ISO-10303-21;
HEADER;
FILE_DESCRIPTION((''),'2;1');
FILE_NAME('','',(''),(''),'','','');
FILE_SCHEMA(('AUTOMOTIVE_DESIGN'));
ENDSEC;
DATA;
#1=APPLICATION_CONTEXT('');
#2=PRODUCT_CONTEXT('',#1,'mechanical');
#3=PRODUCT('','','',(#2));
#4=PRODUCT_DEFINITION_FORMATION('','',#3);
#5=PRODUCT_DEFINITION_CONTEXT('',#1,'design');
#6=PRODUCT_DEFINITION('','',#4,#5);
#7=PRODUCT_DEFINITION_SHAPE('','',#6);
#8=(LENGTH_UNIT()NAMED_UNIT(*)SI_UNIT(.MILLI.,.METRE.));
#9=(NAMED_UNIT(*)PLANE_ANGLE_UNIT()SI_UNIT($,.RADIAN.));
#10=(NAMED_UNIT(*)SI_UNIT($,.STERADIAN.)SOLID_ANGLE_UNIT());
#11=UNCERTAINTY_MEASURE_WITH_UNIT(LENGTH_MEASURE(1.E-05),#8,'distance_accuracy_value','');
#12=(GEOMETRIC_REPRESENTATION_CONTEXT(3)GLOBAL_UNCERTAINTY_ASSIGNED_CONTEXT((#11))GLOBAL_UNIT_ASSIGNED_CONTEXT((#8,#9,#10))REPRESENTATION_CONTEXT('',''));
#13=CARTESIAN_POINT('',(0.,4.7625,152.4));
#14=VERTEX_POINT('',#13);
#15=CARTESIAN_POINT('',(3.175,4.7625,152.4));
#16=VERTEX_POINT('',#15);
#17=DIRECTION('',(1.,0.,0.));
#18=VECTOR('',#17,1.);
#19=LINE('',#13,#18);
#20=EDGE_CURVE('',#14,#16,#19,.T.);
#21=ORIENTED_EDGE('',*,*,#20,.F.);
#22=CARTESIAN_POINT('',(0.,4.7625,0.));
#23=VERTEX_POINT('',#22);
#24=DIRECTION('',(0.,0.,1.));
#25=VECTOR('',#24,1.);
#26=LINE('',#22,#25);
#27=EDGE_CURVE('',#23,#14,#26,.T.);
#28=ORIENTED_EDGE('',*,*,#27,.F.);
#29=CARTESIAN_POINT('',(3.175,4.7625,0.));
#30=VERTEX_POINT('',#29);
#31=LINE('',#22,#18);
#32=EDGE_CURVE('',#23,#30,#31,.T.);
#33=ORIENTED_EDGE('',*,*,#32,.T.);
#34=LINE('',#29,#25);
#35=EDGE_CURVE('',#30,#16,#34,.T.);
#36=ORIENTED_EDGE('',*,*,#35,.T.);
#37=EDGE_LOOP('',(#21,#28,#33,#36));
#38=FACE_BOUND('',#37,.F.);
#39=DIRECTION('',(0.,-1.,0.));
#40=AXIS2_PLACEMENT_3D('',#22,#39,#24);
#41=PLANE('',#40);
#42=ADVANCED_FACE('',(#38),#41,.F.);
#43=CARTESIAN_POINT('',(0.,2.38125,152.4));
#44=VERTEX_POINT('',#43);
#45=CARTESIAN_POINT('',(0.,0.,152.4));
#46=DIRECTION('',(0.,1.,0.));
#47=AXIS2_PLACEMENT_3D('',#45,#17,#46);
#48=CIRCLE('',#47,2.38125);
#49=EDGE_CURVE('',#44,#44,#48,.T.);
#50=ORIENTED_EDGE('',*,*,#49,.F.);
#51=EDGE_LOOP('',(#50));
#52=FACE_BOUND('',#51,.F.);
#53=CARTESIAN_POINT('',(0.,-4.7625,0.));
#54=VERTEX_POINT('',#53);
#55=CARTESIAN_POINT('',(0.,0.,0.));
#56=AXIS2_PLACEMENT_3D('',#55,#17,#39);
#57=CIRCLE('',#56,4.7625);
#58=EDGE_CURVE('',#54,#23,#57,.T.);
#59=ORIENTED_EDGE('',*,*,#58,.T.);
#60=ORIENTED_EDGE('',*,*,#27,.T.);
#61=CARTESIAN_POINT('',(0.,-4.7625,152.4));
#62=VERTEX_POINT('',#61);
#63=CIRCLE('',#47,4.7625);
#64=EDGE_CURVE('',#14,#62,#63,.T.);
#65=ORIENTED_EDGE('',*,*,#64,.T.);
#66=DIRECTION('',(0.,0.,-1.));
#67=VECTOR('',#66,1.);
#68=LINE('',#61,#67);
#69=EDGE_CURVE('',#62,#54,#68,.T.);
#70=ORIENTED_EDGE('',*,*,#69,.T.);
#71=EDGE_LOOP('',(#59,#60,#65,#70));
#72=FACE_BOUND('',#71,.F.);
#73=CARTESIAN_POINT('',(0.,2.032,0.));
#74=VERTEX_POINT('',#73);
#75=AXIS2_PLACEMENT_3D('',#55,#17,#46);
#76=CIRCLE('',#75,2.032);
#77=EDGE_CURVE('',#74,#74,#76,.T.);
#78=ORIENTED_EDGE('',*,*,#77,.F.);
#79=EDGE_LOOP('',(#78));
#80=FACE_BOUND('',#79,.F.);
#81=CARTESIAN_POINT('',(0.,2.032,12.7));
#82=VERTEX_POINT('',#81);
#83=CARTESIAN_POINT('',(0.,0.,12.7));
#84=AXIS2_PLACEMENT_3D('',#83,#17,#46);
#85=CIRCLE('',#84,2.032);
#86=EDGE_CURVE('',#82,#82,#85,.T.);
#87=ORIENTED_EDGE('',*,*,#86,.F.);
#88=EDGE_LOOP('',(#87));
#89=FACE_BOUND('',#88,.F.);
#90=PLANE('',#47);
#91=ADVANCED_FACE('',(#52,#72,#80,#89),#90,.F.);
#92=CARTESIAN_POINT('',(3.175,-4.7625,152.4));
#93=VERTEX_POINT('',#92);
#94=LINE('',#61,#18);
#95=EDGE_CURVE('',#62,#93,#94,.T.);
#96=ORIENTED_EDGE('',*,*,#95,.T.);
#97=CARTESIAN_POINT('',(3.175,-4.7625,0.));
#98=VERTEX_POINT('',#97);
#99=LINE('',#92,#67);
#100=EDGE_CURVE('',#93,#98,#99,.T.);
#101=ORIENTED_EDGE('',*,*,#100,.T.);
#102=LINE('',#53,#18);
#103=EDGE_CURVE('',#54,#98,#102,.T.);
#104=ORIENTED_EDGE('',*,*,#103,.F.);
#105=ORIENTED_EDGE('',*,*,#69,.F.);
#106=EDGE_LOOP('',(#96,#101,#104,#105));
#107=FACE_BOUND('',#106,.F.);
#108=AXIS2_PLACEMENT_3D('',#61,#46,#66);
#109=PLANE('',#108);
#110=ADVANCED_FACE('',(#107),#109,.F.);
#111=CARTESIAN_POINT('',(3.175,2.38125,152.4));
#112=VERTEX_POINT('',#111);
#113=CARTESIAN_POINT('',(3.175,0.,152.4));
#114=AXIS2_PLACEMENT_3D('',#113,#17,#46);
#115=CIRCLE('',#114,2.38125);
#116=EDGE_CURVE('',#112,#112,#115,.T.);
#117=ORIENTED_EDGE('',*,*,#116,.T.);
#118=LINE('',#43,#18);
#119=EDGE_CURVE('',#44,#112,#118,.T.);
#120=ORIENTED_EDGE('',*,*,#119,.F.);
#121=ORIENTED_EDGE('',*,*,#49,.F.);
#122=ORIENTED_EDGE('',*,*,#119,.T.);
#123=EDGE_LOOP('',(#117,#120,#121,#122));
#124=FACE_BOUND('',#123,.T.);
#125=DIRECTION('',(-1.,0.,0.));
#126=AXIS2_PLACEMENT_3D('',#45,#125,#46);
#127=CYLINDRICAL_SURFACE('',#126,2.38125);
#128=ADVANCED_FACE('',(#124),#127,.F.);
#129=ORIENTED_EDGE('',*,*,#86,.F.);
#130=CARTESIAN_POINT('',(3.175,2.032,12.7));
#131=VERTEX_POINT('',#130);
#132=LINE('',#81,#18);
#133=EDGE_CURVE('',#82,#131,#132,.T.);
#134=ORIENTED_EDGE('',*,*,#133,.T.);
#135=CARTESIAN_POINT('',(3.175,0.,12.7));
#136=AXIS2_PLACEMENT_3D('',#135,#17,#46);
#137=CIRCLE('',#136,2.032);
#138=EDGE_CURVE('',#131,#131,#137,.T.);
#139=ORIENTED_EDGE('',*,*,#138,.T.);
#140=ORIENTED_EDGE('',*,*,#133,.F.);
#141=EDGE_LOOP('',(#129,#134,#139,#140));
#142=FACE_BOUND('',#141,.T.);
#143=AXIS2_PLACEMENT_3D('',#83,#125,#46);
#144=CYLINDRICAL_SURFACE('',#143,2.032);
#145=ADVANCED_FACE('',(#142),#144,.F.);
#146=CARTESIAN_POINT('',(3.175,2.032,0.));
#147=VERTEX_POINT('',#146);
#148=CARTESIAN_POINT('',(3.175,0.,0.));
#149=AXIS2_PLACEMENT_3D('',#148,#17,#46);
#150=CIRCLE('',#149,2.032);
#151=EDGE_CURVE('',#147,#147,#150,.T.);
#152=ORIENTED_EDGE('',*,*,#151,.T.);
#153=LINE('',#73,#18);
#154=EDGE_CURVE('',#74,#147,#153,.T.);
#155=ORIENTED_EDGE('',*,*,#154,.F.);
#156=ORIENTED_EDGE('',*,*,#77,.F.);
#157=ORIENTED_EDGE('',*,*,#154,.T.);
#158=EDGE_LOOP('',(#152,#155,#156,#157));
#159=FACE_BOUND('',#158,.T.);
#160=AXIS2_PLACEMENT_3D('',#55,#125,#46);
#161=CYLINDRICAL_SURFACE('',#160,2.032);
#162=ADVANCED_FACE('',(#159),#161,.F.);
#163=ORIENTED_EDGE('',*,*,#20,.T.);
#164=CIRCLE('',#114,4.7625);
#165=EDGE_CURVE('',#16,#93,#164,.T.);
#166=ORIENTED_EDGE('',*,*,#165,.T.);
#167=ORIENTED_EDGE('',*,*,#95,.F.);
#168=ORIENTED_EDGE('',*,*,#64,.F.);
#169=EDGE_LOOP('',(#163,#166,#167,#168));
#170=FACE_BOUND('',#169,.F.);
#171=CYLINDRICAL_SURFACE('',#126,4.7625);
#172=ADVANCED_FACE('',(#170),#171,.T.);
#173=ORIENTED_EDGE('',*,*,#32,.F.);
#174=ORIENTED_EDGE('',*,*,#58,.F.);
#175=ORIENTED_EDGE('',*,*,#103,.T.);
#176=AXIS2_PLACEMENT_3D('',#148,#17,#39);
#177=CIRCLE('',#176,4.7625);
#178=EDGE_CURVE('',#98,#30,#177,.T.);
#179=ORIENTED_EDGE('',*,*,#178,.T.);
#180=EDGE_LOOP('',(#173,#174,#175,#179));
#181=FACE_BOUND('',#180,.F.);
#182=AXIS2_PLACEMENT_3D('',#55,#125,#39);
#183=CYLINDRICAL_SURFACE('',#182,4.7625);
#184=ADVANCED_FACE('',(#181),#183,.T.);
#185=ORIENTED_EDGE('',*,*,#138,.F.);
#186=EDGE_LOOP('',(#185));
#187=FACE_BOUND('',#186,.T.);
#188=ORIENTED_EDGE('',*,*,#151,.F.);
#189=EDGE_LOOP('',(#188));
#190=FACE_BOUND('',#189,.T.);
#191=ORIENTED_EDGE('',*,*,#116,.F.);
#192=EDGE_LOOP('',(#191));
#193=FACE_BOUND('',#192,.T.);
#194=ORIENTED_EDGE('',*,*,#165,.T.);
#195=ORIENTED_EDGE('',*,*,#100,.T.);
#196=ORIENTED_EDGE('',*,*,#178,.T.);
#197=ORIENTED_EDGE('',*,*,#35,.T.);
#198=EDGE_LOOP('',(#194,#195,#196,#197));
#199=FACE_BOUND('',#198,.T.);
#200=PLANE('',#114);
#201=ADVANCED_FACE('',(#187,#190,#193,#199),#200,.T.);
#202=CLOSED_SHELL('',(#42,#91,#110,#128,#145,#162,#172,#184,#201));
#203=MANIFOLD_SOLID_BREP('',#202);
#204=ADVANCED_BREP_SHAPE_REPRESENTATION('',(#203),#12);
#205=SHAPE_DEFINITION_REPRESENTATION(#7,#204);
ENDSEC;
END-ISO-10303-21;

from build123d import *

# Parameters (mm, degrees)
F0_R     = 2.38125
F0_R_2   = 2.032
F1_DEPTH = 3.175


with BuildPart() as f1:
    # F0 (on Right) → F1 (new body)
    with BuildSketch(Plane.YZ):
        with BuildLine():
            ThreePointArc((-4.7625, 152.4), (0, 147.6375), (4.7625, 152.4))
            ThreePointArc((4.7625, 152.4), (0, 157.1625), (-4.7625, 152.4))
        make_face()
        with Locations((0, 152.4)):
            Circle(F0_R, mode=Mode.SUBTRACT)
        with BuildLine():
            Line((4.7625, 0), (4.7625, 152.4))
            ThreePointArc((4.7625, 152.4), (0, 147.6375), (-4.7625, 152.4))
            Line((-4.7625, 152.4), (-4.7625, 0))
            ThreePointArc((-4.7625, 0), (0, -4.7625), (4.7625, 0))
        make_face()
        Circle(F0_R_2, mode=Mode.SUBTRACT)
        with Locations((0, 12.7)):
            Circle(F0_R_2, mode=Mode.SUBTRACT)
    extrude(amount=F1_DEPTH)


solid = f1.part
